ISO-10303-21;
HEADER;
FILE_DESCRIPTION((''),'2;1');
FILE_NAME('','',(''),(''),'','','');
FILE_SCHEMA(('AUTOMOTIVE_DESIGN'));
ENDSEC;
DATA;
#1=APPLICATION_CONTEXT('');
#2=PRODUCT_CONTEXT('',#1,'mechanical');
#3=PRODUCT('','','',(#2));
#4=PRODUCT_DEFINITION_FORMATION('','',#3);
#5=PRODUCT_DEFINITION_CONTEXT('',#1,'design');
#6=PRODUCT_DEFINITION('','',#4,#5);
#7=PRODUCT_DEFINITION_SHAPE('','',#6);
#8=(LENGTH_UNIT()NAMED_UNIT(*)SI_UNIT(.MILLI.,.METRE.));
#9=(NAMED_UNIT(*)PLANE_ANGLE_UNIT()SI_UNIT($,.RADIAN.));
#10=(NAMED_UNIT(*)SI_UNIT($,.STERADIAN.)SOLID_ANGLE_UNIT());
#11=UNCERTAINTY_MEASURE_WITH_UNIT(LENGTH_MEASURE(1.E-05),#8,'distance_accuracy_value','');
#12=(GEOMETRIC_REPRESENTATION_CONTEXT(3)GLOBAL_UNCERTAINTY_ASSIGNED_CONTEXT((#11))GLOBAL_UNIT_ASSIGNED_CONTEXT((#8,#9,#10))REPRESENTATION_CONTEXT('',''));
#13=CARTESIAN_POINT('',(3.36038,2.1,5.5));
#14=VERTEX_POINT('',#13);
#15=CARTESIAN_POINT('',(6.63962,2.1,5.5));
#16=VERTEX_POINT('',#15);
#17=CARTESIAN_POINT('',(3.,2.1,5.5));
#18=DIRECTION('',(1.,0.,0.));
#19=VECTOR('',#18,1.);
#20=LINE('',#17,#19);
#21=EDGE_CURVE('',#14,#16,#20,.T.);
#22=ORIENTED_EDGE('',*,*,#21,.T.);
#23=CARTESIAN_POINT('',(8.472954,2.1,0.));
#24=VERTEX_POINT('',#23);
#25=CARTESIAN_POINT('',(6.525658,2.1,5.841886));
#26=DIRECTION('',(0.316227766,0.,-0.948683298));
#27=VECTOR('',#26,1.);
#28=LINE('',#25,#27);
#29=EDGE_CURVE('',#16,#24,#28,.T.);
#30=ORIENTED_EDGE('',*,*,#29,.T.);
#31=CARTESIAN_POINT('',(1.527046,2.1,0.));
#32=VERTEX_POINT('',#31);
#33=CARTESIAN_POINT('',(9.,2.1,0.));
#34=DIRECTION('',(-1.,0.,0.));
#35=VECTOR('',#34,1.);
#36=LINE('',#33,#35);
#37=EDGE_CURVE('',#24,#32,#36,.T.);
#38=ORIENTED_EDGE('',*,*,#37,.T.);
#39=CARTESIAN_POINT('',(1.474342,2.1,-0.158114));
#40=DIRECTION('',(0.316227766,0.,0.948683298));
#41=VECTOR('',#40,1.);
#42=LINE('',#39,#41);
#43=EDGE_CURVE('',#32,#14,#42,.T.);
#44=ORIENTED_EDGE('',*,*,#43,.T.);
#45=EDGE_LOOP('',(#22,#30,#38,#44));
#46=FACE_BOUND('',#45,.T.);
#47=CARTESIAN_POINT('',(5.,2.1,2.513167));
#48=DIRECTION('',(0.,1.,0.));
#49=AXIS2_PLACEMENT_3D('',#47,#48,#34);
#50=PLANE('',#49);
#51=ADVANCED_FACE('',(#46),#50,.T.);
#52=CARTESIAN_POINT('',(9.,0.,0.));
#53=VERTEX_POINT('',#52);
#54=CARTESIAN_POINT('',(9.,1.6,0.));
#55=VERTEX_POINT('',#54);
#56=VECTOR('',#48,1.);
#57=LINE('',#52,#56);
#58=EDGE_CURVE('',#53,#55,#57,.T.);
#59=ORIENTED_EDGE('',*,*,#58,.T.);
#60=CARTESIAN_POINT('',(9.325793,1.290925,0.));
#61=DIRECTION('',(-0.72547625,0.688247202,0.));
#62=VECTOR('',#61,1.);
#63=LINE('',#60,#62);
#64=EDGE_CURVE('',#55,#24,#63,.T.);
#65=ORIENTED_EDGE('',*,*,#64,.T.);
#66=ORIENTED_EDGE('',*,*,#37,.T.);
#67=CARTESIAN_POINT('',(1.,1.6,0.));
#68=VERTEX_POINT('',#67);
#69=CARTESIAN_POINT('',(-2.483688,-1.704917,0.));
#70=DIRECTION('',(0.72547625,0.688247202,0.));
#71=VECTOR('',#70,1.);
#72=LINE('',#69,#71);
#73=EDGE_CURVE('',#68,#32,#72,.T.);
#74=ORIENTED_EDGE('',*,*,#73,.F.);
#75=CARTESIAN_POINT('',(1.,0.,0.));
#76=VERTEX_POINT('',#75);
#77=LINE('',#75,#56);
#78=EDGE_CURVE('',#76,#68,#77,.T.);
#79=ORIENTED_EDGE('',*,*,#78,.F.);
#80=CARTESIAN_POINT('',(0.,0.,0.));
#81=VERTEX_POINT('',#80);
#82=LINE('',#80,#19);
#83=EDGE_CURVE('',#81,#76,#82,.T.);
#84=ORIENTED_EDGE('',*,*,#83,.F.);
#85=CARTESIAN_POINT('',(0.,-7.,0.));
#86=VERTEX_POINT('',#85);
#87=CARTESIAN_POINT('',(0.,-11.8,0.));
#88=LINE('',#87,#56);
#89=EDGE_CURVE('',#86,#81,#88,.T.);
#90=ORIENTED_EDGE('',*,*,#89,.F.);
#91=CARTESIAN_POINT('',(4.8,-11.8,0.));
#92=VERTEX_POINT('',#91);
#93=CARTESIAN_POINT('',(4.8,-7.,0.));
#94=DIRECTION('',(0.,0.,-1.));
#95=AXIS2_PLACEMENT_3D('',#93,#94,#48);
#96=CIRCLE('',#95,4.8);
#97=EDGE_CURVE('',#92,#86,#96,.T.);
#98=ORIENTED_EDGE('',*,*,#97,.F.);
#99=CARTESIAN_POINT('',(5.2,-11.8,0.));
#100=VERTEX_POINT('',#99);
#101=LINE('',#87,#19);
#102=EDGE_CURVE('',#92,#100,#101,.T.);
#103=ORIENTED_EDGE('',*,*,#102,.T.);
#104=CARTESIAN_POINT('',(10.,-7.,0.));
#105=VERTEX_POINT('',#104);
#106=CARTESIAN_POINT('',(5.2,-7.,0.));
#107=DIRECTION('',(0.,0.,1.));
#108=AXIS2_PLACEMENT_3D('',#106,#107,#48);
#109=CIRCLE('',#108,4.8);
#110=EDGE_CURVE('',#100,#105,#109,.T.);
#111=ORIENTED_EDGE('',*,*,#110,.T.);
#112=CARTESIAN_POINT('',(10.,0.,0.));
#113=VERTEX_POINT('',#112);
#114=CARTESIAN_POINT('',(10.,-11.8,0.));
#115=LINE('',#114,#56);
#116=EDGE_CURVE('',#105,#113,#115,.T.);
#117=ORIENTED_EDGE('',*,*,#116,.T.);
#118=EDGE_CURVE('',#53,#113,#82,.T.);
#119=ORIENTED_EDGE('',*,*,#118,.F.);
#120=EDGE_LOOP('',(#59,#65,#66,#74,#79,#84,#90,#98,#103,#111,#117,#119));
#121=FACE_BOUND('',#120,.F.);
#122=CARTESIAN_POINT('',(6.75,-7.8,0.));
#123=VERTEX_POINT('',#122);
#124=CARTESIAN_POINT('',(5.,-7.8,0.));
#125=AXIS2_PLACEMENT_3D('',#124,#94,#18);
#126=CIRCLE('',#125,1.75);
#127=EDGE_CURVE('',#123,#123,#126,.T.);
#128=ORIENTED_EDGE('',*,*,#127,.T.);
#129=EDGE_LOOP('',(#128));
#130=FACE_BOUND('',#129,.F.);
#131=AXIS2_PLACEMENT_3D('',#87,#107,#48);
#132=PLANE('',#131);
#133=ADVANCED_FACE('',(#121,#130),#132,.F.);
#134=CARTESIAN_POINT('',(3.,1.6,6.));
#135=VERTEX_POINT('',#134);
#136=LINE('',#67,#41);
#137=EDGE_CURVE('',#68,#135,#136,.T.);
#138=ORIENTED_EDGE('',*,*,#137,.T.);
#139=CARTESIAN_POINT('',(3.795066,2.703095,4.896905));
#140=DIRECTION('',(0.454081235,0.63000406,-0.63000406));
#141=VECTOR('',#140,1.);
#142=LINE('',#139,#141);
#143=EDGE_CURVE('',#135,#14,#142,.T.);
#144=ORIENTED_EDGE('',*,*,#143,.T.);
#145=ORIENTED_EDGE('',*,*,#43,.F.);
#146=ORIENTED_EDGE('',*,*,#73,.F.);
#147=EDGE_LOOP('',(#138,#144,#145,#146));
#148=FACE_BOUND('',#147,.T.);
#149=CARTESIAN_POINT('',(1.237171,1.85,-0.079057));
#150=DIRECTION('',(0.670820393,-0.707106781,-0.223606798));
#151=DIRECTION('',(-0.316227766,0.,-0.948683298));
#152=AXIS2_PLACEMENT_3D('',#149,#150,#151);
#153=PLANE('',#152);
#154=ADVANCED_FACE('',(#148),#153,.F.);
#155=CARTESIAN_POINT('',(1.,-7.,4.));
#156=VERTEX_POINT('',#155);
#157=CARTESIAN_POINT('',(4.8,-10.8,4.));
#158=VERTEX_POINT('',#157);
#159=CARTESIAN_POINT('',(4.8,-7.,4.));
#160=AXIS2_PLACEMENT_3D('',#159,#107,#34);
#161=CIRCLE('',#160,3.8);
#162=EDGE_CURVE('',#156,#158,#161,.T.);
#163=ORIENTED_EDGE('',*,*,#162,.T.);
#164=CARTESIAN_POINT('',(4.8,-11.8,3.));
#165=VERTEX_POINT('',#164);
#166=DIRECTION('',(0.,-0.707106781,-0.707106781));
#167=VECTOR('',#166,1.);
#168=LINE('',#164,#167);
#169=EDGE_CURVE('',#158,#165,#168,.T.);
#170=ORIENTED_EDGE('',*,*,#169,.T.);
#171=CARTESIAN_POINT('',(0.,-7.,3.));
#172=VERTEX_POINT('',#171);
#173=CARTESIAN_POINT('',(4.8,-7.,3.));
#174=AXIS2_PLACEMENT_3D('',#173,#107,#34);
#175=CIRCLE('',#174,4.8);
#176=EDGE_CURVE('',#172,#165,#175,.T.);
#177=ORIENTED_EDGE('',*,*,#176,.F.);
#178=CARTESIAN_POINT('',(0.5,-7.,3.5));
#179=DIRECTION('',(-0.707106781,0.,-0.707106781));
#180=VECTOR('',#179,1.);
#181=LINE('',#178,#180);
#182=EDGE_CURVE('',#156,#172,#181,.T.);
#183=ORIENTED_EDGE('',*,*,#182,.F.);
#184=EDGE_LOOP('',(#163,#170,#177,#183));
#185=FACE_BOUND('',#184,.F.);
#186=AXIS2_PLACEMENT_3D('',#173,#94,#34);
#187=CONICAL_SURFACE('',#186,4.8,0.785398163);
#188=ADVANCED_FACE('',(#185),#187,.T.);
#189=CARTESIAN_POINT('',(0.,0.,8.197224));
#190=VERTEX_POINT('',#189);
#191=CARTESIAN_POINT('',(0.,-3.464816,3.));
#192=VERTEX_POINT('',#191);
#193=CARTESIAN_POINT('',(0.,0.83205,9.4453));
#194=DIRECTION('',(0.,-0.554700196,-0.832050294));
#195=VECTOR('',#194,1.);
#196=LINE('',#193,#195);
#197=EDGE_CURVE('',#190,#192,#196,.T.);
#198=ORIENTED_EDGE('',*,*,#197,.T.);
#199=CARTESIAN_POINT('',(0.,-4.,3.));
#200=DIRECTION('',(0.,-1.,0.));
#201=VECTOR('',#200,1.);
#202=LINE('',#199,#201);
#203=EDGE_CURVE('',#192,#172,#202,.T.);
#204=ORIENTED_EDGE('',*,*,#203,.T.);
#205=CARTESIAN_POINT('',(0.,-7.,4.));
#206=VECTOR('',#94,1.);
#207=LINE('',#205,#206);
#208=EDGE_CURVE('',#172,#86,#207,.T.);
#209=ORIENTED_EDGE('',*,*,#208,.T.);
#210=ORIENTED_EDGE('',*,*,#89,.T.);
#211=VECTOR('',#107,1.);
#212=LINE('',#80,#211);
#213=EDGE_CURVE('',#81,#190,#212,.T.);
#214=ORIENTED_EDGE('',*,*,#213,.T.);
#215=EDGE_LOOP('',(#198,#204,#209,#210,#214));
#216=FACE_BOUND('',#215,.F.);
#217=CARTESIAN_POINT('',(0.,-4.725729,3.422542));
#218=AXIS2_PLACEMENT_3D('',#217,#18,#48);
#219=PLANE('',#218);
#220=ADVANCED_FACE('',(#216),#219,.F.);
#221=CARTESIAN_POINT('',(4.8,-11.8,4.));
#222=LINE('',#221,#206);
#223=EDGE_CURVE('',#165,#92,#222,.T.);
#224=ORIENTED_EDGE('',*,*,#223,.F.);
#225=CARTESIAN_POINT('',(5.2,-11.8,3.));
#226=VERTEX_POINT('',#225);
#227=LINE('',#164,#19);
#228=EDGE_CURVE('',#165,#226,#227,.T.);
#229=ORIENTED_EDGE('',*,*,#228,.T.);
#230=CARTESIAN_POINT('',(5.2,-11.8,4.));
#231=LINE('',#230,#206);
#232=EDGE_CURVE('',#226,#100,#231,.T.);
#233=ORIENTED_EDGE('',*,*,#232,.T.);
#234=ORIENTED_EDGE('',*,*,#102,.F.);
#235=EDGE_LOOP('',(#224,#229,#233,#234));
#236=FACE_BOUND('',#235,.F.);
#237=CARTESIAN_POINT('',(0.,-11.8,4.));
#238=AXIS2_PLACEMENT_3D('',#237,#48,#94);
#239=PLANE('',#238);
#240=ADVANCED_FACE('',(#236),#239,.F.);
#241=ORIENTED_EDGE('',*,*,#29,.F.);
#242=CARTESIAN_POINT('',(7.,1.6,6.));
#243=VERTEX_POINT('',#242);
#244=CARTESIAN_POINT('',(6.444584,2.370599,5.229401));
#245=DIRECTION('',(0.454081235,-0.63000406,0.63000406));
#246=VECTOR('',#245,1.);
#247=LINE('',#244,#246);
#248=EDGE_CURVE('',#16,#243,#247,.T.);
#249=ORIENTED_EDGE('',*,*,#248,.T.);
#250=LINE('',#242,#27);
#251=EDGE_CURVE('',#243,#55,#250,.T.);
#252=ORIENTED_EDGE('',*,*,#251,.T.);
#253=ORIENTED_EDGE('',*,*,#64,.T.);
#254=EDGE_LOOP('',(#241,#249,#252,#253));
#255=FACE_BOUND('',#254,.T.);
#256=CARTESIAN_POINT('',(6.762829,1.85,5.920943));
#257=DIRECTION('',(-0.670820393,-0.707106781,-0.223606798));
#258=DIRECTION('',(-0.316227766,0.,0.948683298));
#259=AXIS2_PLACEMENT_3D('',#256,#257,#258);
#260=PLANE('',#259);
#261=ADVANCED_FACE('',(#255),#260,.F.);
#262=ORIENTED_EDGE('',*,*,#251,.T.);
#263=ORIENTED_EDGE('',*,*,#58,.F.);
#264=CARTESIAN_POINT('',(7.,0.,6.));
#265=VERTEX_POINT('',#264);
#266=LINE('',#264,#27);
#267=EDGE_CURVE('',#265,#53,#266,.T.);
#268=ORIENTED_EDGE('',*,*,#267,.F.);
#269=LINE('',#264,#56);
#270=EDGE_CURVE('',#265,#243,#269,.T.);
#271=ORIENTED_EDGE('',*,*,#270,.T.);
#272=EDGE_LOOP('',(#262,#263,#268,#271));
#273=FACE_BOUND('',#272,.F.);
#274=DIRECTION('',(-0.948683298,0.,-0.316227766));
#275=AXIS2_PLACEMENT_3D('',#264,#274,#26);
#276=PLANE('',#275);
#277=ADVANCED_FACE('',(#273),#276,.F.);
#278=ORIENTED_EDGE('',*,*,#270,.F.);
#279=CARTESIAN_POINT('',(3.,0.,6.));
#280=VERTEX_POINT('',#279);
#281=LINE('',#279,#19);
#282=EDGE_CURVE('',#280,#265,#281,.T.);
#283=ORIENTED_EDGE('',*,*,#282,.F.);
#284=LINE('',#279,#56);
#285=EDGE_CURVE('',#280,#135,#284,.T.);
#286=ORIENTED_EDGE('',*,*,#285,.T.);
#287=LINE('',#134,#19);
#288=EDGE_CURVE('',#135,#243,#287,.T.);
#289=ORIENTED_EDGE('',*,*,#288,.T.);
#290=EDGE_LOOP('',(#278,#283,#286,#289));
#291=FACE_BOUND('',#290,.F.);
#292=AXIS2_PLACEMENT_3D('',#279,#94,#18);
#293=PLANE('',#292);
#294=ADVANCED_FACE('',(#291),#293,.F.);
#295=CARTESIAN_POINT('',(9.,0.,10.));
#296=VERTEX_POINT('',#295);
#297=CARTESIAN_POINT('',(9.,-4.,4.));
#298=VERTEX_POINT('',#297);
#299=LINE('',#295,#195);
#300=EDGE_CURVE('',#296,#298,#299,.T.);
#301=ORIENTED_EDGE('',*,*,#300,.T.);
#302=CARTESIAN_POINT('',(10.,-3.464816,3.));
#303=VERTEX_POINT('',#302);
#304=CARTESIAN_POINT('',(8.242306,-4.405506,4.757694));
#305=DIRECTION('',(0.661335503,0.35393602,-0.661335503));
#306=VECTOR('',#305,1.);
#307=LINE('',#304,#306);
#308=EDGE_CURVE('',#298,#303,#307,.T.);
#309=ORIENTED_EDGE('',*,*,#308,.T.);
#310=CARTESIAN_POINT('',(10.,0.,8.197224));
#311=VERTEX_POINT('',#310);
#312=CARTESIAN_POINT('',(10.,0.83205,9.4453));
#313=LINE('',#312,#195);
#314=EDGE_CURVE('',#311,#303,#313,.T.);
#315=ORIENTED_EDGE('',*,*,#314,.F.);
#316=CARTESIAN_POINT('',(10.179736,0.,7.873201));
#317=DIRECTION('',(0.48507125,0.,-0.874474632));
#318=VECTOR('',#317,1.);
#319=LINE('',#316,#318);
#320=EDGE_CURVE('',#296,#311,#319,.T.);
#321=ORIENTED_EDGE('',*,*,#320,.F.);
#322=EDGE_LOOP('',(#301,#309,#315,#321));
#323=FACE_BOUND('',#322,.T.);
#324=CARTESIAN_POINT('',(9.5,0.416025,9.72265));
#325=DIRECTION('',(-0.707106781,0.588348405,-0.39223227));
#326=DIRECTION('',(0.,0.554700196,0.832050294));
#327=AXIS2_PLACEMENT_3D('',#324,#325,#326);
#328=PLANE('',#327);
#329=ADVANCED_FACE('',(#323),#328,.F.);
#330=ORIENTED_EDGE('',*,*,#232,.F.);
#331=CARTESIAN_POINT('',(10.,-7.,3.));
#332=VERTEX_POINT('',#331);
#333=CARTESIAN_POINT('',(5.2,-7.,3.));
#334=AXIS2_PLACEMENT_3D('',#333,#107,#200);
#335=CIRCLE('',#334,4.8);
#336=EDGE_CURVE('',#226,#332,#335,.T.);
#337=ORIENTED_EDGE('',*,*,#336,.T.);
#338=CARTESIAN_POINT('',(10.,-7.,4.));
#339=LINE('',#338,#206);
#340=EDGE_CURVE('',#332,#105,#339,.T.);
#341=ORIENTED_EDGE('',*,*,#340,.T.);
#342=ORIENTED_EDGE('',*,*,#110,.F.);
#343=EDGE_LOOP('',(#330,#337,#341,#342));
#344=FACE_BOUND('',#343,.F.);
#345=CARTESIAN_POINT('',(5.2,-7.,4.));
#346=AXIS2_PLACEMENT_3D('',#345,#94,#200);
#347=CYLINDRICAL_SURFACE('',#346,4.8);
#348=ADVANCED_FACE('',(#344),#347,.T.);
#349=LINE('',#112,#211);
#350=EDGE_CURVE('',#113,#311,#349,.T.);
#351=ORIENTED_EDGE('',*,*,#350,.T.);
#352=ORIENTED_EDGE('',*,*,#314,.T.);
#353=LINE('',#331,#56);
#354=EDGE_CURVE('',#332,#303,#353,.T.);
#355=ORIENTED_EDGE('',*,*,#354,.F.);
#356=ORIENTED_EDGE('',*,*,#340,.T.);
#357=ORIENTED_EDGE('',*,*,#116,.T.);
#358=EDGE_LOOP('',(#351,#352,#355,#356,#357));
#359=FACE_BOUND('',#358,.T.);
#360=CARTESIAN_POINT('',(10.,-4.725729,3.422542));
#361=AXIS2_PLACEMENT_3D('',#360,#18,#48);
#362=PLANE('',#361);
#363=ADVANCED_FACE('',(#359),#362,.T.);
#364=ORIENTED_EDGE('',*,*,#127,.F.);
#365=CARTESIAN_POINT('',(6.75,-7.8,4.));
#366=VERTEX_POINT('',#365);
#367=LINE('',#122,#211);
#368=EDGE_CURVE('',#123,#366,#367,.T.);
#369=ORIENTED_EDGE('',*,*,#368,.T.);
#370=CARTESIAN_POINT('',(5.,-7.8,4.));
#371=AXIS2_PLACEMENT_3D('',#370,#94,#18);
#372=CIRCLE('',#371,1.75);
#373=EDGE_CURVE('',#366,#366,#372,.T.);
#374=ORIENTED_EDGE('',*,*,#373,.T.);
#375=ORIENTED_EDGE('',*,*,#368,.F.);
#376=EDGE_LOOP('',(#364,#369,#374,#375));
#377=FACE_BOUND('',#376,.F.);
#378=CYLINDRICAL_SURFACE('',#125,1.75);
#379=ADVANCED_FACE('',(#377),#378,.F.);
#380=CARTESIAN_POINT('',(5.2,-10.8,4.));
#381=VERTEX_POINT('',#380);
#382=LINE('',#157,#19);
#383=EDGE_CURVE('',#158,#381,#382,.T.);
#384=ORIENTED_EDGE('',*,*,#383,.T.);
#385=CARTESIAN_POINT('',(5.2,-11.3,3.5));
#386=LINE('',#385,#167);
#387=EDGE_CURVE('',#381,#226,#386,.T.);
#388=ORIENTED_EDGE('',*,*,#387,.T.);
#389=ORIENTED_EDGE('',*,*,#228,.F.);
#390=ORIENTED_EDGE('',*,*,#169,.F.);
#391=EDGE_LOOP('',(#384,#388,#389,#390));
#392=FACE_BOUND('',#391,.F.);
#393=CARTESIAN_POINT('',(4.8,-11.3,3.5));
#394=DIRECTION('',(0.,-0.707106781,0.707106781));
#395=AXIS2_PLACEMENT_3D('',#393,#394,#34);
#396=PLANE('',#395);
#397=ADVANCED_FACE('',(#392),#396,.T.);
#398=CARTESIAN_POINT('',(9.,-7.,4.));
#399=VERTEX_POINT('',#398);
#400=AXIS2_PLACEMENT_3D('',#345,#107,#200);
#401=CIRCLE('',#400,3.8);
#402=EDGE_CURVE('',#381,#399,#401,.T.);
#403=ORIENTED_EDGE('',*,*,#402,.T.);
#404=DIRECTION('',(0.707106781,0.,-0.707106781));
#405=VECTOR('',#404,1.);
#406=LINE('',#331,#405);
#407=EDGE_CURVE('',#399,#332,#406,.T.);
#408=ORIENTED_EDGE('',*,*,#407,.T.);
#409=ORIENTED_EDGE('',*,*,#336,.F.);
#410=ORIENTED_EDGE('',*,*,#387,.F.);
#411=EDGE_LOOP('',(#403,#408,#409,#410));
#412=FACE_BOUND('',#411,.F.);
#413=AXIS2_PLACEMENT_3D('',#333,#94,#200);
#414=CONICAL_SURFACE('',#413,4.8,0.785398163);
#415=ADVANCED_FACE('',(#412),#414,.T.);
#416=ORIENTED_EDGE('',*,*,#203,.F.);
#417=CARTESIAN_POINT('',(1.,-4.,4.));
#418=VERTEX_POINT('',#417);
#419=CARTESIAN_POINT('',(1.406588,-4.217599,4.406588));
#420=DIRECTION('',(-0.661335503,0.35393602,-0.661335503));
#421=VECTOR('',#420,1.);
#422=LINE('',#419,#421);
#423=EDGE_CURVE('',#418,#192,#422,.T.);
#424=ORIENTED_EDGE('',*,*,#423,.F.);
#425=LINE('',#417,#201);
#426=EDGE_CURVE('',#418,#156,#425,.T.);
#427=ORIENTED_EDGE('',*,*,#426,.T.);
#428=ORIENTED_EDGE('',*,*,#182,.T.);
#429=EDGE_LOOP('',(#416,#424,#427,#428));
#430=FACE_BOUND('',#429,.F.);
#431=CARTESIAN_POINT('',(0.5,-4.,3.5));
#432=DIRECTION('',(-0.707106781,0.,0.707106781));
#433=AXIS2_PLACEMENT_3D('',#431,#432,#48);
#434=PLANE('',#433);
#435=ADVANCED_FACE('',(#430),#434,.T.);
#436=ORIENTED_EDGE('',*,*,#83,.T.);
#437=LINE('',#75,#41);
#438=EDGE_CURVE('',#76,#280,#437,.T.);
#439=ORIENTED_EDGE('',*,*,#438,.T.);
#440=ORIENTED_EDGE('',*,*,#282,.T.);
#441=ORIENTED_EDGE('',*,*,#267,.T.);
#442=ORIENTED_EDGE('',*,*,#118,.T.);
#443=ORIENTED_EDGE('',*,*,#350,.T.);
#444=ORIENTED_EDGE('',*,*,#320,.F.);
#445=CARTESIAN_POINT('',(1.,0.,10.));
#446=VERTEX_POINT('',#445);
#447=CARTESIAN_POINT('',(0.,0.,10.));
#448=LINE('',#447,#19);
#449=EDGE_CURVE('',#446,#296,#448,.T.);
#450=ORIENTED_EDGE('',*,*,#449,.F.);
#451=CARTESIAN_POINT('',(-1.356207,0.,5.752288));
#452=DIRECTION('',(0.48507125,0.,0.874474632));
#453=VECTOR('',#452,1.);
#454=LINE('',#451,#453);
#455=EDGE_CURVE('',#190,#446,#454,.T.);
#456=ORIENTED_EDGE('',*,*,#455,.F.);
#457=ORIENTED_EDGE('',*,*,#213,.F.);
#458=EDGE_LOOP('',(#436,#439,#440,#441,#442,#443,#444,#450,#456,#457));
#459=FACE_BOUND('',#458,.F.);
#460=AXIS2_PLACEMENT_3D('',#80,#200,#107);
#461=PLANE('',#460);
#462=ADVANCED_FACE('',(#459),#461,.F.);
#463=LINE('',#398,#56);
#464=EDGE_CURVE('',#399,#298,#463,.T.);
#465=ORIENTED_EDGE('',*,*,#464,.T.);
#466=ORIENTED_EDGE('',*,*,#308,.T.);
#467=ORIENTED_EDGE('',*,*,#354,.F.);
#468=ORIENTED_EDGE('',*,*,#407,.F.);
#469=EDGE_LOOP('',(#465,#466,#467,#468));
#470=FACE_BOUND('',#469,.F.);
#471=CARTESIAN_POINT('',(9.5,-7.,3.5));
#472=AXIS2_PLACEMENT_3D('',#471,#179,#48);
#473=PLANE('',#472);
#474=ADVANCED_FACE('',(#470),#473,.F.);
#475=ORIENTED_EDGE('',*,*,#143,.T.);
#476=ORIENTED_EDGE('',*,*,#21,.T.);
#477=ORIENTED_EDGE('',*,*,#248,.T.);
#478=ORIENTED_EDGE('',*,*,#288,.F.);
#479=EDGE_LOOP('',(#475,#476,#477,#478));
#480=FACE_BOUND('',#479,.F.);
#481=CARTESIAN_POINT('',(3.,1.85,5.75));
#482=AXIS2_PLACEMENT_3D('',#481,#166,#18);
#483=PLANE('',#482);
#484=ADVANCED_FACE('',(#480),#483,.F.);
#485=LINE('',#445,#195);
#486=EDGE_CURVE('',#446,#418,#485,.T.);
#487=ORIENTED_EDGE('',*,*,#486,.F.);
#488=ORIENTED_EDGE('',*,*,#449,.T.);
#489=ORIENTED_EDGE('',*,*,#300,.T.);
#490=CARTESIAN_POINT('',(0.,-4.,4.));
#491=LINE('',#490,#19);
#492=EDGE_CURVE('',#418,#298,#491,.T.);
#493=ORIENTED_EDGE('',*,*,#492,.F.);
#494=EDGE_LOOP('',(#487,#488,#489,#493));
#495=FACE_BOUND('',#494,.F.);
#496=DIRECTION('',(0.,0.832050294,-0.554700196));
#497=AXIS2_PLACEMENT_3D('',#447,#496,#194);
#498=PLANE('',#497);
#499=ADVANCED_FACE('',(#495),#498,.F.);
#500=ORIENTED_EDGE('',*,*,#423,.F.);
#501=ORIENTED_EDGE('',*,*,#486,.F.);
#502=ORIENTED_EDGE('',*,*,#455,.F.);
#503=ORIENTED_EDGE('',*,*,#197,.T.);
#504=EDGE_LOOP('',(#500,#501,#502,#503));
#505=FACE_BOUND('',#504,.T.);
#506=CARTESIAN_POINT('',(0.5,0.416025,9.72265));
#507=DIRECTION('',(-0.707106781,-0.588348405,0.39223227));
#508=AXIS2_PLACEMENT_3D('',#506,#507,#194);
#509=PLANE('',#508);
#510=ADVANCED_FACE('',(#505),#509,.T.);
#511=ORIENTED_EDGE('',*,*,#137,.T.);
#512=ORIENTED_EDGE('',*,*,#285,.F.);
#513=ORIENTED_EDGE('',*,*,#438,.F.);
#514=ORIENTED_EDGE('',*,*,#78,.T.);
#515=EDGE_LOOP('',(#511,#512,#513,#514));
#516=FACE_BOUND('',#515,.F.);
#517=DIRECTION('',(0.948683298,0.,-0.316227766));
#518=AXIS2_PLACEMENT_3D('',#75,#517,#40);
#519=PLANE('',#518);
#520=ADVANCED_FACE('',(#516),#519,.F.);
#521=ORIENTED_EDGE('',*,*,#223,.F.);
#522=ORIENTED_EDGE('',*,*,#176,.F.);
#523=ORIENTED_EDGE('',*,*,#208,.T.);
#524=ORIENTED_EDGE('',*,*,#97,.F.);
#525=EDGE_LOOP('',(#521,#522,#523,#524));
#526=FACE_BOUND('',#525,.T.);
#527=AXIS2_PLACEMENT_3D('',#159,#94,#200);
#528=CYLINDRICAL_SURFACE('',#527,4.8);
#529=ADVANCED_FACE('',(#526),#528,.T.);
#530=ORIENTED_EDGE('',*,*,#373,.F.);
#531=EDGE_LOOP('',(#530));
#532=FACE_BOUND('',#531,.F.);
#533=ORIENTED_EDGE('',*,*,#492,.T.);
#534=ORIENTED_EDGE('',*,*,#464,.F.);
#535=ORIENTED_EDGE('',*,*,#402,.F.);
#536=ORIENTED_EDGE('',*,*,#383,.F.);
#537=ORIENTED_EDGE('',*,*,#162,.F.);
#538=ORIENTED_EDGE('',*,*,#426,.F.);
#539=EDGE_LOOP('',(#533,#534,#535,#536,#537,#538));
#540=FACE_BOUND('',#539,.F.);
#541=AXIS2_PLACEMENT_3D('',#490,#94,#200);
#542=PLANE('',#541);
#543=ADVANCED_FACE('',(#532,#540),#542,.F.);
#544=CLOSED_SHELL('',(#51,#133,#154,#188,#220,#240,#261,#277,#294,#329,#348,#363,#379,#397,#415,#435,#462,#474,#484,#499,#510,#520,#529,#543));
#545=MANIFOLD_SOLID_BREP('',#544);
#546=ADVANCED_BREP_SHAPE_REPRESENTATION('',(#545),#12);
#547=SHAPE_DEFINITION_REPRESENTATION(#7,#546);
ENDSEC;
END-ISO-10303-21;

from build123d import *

# Parameters (mm, degrees)
F1_DEPTH = 10
F2_R     = 1.75
F3_DEPTH = 4
F5_DEPTH = 2.1
F6_R     = 4.8
F7_SIZE  = 1
F8_SIZE  = 0.5


with BuildPart() as f1:
    # F0 (on Right) → F1 (new body)
    with BuildSketch(Plane.YZ):
        Polygon((-11.8, 4), (-11.8, 0), (0, 0), (0, 10), (-4, 4), align=None)
    extrude(amount=F1_DEPTH)

    # F2 (on face) → F3 (cut, through all)
    with BuildSketch(Plane(origin=(0, 0, 0), x_dir=(1, 0, 0), z_dir=(0, 0, -1))):
        with Locations((5, 7.8)):
            Circle(F2_R)
    extrude(amount=-F3_DEPTH, mode=Mode.SUBTRACT)

    # F4 (on face) → F5 (join)
    with BuildSketch(Plane(origin=(0, 0, 0), x_dir=(-1, 0, 0), z_dir=(0, 1, 0))):
        Polygon((-7, 6), (-9, 0), (-1, 0), (-3, 6), align=None)
    extrude(amount=F5_DEPTH)

    # F6
    f6_edges = [f1.edges().sort_by_distance(p)[0] for p in [
        (0, -11.8, 2),
        (10, -11.8, 2),
    ]]
    fillet(f6_edges, radius=F6_R)

    # F7
    f7_edges = [f1.edges().sort_by_distance(p)[0] for p in [
        (0, -5.5, 4),
        (0, -2, 7),
        (10, -2, 7),
    ]]
    chamfer(f7_edges, length=F7_SIZE)

    # F8
    f8_edges = [f1.edges().sort_by_distance(p)[0] for p in [
        (2, 2.1, 3),
        (5, 2.1, 6),
        (8, 2.1, 3),
    ]]
    chamfer(f8_edges, length=F8_SIZE)


solid = f1.part
